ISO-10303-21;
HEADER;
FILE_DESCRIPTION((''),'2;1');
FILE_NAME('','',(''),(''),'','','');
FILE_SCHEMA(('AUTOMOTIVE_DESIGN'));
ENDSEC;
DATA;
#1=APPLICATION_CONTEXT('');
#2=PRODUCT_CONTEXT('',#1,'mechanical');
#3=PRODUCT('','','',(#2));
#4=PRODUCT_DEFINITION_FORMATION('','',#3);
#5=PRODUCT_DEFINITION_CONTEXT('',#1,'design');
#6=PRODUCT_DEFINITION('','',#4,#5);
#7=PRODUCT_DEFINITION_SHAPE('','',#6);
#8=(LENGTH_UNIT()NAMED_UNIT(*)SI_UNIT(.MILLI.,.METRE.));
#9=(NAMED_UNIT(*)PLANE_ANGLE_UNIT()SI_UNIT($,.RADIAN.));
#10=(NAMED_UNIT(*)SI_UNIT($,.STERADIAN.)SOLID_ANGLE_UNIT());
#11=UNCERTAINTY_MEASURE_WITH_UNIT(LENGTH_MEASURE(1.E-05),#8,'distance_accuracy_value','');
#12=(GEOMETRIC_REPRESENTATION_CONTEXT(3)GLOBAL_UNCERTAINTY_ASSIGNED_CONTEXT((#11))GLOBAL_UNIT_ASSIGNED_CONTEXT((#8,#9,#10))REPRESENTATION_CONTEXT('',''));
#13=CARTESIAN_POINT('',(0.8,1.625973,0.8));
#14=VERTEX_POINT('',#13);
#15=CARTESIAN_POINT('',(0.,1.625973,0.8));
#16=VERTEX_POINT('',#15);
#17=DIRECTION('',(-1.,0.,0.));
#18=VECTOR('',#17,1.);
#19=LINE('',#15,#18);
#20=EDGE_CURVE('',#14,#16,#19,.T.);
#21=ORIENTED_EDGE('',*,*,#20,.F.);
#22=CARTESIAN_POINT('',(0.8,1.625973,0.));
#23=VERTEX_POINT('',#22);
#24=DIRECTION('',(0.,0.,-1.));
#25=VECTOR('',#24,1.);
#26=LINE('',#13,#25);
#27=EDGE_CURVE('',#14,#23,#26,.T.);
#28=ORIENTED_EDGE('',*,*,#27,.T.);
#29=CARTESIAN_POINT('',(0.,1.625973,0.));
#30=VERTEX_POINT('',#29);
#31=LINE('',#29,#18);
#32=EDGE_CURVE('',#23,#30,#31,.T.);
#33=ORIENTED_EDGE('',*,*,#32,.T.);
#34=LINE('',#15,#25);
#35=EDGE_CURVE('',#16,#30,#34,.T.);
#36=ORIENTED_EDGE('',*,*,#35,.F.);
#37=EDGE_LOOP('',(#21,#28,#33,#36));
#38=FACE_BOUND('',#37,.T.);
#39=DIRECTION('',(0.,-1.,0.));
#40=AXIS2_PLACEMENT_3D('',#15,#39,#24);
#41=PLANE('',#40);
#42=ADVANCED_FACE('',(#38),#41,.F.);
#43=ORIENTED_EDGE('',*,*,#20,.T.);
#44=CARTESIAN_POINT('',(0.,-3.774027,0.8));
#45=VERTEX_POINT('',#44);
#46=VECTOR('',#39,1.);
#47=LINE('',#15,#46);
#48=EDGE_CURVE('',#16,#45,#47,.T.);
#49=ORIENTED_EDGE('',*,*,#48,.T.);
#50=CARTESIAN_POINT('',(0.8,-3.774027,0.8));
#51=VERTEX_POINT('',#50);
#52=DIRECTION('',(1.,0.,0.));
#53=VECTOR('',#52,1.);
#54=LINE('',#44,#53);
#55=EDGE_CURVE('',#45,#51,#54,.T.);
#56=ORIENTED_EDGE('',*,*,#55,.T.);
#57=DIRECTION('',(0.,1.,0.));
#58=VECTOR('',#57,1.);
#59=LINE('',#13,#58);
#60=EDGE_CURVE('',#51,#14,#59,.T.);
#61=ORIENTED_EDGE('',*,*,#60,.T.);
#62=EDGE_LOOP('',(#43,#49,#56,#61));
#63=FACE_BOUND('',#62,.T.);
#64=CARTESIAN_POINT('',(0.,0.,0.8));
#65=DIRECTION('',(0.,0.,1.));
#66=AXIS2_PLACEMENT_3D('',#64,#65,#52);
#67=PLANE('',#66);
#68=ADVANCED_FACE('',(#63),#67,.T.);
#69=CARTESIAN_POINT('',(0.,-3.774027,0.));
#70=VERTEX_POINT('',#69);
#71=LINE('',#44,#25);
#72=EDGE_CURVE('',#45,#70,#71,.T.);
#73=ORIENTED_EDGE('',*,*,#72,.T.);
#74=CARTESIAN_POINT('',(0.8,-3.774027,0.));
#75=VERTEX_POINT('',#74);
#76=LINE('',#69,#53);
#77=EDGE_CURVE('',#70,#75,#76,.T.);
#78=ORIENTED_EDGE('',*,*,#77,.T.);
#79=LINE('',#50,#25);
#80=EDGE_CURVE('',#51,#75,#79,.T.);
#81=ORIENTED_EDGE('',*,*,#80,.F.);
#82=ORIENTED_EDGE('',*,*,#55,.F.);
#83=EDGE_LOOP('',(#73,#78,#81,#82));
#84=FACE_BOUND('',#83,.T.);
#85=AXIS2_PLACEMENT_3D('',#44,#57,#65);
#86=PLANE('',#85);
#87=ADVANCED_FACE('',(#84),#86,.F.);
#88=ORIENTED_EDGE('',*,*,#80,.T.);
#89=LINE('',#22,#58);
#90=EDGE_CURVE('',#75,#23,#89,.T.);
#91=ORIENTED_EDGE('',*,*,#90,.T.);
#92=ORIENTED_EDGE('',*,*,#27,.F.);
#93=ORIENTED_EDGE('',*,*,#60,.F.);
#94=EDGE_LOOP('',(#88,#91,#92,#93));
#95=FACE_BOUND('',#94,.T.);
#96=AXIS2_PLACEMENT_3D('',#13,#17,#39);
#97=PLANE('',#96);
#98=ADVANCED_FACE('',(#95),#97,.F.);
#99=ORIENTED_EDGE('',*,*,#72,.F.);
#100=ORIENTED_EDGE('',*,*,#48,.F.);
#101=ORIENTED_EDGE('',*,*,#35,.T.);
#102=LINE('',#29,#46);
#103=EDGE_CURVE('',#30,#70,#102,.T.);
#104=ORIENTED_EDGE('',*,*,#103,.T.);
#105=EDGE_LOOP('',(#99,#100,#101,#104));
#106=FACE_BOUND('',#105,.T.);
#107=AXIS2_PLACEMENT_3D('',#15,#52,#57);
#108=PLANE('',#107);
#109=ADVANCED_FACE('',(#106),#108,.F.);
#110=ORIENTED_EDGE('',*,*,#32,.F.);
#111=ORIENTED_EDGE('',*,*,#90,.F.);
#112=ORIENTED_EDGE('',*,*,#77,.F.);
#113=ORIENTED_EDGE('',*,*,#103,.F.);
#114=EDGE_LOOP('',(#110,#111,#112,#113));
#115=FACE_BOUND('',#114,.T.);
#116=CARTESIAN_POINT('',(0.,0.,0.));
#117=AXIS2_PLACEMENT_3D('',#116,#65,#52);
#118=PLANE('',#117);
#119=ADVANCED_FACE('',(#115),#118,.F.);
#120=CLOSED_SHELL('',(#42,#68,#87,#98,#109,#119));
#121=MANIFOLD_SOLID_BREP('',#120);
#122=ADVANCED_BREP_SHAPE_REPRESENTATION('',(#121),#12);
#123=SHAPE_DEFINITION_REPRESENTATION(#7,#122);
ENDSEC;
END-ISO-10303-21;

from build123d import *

# Parameters (mm, degrees)
SKETCH_1_W      = 0.8
SKETCH_1_H      = 5.4
EXTRUDE_1_DEPTH = 0.8


with BuildPart() as part:
    # 草图1 → 凸台-拉伸1 (new body)
    with BuildSketch(Plane.XY):
        with Locations((0.4, -1.07402663)):
            Rectangle(SKETCH_1_W, SKETCH_1_H)
    extrude(amount=EXTRUDE_1_DEPTH)


solid = part.part
